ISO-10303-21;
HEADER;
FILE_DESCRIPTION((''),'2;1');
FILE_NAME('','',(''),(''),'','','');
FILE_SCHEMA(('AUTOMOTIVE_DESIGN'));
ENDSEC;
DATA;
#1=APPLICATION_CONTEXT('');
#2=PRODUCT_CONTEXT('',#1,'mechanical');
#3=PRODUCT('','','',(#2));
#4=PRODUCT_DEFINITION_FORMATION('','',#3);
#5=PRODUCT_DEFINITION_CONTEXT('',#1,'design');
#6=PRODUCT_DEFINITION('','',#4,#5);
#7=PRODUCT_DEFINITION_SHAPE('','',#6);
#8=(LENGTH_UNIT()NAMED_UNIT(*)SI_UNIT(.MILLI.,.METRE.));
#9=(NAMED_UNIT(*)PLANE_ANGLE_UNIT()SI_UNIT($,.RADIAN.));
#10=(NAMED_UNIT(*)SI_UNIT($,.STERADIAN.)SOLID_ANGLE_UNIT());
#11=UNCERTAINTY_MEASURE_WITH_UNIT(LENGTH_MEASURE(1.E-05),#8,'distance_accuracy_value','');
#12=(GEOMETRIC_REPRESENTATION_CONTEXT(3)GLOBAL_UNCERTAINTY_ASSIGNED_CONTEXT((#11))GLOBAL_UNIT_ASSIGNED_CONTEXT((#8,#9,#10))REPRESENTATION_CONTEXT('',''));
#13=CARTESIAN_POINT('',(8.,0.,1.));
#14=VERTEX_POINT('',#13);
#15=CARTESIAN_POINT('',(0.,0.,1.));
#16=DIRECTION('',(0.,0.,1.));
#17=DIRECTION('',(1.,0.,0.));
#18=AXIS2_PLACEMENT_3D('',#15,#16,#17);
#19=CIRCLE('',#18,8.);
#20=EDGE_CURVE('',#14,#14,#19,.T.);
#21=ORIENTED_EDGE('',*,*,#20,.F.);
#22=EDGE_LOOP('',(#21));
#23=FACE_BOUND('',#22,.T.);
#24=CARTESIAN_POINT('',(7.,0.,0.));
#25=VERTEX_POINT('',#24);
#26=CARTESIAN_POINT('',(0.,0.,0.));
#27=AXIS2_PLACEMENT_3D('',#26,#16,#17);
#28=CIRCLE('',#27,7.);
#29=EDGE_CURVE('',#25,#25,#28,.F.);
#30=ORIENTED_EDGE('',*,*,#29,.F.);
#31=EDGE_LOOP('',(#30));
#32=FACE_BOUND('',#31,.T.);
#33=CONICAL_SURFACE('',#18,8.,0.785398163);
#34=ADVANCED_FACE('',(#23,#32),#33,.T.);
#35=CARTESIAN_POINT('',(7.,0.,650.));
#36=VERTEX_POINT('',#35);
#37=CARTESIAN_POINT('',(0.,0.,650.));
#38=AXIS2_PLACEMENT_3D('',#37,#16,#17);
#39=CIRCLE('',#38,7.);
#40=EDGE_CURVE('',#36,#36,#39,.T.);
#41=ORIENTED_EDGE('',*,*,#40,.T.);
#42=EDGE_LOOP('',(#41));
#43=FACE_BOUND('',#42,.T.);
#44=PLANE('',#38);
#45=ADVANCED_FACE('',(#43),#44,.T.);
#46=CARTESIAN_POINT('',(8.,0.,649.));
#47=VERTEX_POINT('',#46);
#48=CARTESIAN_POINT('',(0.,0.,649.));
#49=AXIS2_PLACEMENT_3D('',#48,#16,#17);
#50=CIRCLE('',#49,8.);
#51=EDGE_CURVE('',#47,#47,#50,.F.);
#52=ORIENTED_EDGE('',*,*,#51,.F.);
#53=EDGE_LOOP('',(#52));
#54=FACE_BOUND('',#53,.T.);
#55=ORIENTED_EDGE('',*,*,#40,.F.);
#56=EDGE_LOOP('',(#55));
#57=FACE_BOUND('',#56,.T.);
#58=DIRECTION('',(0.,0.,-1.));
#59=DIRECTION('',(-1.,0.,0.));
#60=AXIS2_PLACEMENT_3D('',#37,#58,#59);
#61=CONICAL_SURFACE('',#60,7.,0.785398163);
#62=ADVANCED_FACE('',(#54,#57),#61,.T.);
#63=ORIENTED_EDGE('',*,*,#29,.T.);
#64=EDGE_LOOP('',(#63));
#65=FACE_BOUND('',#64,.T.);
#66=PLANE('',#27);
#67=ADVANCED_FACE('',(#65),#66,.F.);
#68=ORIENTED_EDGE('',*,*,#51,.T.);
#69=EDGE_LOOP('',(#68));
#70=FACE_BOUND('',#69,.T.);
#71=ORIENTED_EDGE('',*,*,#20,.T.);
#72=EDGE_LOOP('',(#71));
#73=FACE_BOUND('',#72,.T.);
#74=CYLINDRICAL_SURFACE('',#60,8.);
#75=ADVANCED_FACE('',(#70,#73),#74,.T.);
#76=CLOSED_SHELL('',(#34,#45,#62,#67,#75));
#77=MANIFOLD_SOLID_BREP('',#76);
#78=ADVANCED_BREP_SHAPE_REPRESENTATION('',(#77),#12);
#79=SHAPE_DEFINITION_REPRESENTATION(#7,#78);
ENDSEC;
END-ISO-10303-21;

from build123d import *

# Parameters (mm, degrees)
SKETCH_1_R      = 8
EXTRUDE_1_DEPTH = 650
CHAMFER_1_SIZE  = 1


with BuildPart() as part:
    # Эскиз1 → Бобышка-Вытянуть1 (new body)
    with BuildSketch(Plane.XY):
        Circle(SKETCH_1_R)
    extrude(amount=EXTRUDE_1_DEPTH)

    # Фаска1
    chamfer_1_edges = [part.edges().sort_by_distance(p)[0] for p in [
        (-8, 0, 0),
        (-8, 0, 650),
    ]]
    chamfer(chamfer_1_edges, length=CHAMFER_1_SIZE)


solid = part.part
